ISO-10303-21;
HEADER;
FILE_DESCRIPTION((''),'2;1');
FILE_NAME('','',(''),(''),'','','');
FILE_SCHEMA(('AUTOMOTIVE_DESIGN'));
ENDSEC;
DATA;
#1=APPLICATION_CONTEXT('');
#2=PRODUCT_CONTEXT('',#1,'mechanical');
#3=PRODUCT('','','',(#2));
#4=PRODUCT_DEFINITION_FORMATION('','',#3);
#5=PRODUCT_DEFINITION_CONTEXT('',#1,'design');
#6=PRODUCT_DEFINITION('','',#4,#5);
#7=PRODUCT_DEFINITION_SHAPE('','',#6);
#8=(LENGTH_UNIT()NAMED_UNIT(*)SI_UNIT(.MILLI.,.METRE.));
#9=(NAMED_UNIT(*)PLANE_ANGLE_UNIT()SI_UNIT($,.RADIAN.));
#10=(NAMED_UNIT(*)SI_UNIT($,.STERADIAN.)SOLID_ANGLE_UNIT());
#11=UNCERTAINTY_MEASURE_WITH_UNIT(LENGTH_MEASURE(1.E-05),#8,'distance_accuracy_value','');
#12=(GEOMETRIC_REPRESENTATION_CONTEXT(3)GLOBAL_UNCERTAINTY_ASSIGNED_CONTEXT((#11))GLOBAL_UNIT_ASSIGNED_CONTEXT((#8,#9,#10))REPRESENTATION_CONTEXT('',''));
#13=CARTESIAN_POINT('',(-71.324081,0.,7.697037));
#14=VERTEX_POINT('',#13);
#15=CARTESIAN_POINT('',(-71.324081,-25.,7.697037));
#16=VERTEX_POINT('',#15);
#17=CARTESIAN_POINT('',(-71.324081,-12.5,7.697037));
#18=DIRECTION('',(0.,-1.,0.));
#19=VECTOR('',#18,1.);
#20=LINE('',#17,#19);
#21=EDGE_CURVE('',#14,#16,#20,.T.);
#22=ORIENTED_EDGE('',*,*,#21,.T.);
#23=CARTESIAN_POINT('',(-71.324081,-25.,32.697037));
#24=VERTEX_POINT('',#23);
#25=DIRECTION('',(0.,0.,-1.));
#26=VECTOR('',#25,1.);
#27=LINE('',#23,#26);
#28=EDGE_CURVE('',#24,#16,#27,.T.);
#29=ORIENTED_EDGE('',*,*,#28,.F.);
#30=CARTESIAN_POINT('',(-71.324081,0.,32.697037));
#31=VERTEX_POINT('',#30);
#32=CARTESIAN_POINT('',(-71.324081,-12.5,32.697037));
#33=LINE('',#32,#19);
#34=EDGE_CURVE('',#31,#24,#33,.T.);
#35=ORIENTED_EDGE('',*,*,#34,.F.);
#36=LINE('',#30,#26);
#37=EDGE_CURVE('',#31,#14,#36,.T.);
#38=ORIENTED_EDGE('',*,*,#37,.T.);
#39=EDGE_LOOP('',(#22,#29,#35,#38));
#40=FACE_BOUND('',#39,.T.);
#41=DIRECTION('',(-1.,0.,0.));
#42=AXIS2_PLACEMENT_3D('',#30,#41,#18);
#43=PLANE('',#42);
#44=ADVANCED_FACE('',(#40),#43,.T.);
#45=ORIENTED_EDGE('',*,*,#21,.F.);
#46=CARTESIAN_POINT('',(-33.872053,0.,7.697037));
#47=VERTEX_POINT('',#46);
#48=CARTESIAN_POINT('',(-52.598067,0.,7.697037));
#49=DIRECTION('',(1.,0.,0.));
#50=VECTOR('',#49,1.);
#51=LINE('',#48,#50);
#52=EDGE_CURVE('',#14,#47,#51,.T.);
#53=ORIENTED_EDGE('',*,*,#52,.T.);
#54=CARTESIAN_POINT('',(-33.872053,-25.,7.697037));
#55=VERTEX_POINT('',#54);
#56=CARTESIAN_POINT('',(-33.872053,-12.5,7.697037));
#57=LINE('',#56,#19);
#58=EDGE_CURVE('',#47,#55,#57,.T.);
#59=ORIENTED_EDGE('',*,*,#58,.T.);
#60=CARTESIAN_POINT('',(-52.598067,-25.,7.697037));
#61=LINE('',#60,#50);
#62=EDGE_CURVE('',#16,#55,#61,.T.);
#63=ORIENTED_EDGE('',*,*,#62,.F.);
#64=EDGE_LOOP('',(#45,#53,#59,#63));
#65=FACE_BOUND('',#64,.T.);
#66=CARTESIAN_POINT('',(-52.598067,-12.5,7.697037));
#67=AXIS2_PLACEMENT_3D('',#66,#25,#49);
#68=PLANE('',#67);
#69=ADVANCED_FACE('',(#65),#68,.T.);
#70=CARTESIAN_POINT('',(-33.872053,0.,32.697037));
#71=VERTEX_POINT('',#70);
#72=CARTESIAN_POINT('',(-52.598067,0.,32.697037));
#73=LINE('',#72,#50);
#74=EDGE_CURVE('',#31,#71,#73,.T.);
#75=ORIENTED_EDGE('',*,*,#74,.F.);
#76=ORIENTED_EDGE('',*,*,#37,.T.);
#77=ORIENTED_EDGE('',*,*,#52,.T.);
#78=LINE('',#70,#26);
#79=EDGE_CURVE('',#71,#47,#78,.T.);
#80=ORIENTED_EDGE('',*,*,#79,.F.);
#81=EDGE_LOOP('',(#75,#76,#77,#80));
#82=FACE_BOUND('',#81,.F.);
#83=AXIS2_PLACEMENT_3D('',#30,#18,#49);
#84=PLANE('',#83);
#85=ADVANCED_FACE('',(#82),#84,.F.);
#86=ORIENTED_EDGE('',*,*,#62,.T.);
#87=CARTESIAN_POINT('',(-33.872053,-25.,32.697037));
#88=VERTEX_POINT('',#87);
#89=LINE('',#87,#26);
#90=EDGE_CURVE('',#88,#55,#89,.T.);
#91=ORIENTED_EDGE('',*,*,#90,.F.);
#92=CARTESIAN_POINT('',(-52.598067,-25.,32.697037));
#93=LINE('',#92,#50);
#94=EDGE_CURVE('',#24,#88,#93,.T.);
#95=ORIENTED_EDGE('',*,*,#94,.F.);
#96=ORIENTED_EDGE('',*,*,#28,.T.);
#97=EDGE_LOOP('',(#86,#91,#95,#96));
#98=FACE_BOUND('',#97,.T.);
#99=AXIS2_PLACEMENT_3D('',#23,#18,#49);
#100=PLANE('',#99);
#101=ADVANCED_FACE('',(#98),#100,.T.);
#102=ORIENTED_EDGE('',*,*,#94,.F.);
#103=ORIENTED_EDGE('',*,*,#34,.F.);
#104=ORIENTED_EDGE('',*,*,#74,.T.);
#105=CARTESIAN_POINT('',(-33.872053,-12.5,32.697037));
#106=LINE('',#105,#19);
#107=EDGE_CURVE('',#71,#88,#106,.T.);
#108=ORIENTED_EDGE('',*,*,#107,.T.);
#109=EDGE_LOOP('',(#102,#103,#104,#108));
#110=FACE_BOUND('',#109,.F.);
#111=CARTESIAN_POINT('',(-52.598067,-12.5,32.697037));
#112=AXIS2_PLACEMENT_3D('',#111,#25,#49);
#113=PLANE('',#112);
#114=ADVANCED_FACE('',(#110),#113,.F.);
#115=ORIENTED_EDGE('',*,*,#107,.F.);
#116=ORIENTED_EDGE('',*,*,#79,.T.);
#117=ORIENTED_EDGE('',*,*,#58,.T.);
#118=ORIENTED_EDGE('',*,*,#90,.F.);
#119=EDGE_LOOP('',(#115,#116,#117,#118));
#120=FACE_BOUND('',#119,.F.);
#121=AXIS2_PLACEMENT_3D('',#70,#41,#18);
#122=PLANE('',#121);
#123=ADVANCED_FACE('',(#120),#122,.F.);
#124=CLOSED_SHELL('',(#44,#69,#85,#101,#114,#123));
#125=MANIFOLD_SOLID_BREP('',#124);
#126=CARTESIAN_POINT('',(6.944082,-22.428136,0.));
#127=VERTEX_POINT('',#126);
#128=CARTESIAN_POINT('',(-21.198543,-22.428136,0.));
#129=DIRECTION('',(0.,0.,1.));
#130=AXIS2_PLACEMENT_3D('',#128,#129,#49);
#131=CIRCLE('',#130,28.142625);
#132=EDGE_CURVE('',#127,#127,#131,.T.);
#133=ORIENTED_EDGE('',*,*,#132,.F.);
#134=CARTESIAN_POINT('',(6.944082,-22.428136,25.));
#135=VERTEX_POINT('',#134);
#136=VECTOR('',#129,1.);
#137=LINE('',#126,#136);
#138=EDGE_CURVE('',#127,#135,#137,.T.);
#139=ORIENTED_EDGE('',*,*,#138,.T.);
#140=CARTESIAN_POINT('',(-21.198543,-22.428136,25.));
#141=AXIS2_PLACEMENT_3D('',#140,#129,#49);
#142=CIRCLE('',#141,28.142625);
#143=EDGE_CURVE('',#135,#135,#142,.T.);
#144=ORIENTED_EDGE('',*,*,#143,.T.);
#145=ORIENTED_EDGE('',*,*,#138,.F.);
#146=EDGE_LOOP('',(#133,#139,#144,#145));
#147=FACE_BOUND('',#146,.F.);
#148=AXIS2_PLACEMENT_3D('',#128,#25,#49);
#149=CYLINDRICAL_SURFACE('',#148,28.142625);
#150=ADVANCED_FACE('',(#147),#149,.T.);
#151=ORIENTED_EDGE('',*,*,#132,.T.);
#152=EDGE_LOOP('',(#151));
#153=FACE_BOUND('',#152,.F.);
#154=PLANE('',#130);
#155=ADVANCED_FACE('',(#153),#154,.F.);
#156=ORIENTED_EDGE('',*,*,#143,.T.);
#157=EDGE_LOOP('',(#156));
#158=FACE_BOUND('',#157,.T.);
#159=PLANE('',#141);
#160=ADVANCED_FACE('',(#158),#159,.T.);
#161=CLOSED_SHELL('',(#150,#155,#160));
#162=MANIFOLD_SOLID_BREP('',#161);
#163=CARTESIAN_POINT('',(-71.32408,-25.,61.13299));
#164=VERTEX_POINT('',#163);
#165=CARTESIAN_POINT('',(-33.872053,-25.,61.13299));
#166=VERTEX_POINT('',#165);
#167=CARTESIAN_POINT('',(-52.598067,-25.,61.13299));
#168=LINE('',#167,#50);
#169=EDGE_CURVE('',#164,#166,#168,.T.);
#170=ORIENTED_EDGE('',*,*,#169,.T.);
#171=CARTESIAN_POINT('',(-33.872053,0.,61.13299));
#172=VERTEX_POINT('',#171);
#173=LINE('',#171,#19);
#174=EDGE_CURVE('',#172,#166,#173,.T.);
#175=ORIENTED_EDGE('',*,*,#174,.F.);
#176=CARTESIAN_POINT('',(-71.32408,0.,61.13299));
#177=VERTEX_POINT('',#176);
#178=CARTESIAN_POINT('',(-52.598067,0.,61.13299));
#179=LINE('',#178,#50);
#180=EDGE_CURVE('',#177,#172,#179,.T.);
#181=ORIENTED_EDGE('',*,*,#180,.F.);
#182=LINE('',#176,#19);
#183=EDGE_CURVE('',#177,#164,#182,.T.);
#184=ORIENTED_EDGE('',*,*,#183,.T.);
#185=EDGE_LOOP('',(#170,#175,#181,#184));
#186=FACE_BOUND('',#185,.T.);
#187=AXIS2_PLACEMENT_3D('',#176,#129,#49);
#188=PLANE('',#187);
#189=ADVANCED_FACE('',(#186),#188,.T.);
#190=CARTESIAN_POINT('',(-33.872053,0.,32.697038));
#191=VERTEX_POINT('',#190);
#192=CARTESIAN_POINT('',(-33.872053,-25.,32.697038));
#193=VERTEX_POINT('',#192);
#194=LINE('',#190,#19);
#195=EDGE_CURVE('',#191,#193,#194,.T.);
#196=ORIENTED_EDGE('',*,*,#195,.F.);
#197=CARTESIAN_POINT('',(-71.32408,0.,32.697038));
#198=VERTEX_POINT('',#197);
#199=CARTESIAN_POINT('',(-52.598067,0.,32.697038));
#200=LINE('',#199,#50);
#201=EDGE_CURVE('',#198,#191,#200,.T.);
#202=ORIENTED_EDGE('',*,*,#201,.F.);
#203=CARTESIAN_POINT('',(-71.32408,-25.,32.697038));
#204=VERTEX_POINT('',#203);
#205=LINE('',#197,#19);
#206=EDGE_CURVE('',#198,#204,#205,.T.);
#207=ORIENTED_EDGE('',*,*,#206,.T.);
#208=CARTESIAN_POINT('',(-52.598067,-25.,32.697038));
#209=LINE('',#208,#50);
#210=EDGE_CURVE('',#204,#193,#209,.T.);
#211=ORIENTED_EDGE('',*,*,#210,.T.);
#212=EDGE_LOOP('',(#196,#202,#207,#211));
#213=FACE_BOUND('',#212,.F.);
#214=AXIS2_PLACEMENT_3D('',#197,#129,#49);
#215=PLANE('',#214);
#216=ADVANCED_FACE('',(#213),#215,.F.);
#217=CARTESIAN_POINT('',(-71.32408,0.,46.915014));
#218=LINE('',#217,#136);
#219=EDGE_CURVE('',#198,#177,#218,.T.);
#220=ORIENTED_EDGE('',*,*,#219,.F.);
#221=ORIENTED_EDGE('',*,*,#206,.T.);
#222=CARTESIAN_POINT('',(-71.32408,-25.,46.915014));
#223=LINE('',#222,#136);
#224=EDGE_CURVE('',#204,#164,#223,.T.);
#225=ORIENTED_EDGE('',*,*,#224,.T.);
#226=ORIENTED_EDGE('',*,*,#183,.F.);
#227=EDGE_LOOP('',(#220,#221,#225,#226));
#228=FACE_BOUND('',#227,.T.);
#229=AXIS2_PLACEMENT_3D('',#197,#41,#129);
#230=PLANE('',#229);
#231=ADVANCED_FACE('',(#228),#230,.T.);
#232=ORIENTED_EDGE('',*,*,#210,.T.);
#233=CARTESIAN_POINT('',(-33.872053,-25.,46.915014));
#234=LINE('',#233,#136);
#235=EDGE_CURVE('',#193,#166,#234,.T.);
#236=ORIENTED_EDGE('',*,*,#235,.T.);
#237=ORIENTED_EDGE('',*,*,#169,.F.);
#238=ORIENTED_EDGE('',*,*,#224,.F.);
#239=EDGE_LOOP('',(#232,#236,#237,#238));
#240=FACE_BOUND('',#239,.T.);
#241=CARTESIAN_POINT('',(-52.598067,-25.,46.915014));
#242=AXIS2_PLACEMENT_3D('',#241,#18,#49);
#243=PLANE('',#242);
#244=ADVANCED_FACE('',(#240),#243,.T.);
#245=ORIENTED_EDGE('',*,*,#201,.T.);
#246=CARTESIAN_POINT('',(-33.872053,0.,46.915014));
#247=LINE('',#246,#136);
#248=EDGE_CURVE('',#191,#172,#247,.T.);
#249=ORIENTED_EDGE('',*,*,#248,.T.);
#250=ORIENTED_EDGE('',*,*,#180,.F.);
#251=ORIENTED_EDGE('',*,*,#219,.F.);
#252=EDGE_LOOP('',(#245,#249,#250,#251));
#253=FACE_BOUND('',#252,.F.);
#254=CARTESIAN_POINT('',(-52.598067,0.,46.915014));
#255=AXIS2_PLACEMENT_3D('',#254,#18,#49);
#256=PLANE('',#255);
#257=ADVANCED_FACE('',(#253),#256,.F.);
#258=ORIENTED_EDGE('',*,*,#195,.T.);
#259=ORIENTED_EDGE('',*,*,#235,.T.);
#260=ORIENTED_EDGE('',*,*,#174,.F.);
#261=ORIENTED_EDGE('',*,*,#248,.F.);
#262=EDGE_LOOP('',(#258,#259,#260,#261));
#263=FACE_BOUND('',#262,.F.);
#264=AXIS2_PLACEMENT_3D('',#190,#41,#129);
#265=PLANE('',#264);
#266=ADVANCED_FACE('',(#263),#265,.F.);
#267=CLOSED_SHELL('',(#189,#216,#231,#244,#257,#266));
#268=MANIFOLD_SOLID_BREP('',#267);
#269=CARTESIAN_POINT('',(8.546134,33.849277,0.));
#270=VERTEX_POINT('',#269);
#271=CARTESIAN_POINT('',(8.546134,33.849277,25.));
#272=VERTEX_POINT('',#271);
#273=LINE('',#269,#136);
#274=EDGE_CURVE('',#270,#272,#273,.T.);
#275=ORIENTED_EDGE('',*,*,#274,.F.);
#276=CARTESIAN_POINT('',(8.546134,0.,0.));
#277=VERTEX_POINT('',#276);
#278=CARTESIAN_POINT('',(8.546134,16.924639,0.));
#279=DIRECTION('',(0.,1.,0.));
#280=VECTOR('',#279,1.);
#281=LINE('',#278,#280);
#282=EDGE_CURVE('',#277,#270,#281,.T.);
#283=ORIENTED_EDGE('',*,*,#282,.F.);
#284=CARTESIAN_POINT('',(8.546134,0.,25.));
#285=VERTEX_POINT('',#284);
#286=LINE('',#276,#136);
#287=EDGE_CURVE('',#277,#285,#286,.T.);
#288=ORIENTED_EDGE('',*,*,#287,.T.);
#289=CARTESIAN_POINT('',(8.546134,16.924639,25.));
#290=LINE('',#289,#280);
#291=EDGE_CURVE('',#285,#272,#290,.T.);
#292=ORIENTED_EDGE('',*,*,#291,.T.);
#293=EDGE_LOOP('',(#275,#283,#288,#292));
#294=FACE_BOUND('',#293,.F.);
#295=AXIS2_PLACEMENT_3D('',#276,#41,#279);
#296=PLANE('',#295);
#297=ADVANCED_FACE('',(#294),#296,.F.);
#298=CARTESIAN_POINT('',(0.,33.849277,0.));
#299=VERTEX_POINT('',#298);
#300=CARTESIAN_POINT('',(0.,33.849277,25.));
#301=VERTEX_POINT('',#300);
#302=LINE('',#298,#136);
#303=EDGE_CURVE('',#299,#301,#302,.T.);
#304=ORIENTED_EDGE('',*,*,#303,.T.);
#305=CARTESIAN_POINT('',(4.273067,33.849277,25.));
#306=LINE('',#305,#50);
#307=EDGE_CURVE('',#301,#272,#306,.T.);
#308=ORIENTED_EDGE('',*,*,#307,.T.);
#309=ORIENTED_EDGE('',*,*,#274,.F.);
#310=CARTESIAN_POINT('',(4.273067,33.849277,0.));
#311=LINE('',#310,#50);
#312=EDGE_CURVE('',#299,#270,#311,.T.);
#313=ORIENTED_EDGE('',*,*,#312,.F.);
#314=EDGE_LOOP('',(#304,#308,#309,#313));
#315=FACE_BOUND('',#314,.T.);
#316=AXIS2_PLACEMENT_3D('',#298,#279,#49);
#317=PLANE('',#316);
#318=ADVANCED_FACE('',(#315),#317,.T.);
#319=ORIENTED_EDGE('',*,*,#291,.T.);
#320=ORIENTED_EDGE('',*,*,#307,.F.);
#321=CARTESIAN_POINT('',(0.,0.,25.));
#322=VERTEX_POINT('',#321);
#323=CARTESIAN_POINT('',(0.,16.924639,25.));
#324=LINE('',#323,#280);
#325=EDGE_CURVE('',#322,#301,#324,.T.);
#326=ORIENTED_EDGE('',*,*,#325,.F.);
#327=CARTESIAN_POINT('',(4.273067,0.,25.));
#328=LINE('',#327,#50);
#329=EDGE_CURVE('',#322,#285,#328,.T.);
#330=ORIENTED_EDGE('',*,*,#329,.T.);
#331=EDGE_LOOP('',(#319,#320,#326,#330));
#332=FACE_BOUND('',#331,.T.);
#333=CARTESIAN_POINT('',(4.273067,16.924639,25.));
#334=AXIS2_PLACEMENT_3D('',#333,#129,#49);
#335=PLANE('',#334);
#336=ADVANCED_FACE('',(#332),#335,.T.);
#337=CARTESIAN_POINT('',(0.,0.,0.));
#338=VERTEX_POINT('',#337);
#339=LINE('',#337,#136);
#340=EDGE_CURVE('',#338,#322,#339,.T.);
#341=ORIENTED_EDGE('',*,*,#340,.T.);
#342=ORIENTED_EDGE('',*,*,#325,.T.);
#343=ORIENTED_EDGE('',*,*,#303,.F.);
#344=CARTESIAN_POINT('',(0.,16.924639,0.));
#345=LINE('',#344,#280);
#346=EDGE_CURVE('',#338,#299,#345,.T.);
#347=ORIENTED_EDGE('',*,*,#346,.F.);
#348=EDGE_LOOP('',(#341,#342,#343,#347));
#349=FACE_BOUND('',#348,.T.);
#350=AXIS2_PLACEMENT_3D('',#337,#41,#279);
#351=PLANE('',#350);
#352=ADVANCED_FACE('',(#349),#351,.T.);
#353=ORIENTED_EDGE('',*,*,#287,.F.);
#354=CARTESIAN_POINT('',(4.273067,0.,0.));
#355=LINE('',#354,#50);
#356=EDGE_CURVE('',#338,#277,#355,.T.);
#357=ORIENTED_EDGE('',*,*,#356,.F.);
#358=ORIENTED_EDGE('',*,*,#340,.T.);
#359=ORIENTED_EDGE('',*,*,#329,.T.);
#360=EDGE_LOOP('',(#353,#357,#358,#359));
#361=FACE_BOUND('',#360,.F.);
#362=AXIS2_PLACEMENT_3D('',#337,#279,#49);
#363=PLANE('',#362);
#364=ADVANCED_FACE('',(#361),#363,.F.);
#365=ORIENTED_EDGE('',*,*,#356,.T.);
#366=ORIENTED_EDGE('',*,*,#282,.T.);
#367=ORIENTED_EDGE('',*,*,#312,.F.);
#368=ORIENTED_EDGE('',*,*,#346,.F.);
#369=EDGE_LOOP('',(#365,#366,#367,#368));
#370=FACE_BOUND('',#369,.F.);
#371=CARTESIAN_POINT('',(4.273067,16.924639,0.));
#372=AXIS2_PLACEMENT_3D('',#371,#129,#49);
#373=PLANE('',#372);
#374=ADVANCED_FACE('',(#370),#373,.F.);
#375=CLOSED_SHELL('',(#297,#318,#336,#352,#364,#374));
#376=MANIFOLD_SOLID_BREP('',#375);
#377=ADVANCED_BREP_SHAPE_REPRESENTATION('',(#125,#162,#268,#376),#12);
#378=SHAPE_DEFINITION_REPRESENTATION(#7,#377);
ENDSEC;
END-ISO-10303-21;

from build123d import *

# Parameters (mm, degrees)
F0_W      = 8.546134
F0_H      = 33.849277
F1_DEPTH  = 25
F2_W      = 37.452027
F2_H      = 28.435953
F3_DEPTH  = 25
F4_R      = 28.142625
F5_DEPTH  = 25
F3_FACE_W = 37.452028
F3_FACE_H = 25
F6_DEPTH  = 25


with BuildPart() as f1:
    # F0 (on Top) → F1 (new body)
    with BuildSketch(Plane.XY):
        with Locations((4.273067, 16.924639)):
            Rectangle(F0_W, F0_H)
    extrude(amount=F1_DEPTH)


with BuildPart() as f3:
    # F2 (on Front) → F3 (new body)
    with BuildSketch(Plane.XZ):
        with Locations((-52.598067, 46.915014)):
            Rectangle(F2_W, F2_H)
    extrude(amount=F3_DEPTH)


with BuildPart() as f5:
    # F4 (on Top) → F5 (new body)
    with BuildSketch(Plane.XY):
        with Locations((-21.198543, -22.428136)):
            Circle(F4_R)
    extrude(amount=F5_DEPTH)


with BuildPart() as f6:
    # F3_face (on face) → F6 (new body)
    with BuildSketch(Plane(origin=(-52.598067, -12.5, 32.697037), x_dir=(1, 0, 0), z_dir=(0, 0, -1))):
        Rectangle(F3_FACE_W, F3_FACE_H)
    extrude(amount=F6_DEPTH)


solid = Compound([f1.part, f3.part, f5.part, f6.part])
